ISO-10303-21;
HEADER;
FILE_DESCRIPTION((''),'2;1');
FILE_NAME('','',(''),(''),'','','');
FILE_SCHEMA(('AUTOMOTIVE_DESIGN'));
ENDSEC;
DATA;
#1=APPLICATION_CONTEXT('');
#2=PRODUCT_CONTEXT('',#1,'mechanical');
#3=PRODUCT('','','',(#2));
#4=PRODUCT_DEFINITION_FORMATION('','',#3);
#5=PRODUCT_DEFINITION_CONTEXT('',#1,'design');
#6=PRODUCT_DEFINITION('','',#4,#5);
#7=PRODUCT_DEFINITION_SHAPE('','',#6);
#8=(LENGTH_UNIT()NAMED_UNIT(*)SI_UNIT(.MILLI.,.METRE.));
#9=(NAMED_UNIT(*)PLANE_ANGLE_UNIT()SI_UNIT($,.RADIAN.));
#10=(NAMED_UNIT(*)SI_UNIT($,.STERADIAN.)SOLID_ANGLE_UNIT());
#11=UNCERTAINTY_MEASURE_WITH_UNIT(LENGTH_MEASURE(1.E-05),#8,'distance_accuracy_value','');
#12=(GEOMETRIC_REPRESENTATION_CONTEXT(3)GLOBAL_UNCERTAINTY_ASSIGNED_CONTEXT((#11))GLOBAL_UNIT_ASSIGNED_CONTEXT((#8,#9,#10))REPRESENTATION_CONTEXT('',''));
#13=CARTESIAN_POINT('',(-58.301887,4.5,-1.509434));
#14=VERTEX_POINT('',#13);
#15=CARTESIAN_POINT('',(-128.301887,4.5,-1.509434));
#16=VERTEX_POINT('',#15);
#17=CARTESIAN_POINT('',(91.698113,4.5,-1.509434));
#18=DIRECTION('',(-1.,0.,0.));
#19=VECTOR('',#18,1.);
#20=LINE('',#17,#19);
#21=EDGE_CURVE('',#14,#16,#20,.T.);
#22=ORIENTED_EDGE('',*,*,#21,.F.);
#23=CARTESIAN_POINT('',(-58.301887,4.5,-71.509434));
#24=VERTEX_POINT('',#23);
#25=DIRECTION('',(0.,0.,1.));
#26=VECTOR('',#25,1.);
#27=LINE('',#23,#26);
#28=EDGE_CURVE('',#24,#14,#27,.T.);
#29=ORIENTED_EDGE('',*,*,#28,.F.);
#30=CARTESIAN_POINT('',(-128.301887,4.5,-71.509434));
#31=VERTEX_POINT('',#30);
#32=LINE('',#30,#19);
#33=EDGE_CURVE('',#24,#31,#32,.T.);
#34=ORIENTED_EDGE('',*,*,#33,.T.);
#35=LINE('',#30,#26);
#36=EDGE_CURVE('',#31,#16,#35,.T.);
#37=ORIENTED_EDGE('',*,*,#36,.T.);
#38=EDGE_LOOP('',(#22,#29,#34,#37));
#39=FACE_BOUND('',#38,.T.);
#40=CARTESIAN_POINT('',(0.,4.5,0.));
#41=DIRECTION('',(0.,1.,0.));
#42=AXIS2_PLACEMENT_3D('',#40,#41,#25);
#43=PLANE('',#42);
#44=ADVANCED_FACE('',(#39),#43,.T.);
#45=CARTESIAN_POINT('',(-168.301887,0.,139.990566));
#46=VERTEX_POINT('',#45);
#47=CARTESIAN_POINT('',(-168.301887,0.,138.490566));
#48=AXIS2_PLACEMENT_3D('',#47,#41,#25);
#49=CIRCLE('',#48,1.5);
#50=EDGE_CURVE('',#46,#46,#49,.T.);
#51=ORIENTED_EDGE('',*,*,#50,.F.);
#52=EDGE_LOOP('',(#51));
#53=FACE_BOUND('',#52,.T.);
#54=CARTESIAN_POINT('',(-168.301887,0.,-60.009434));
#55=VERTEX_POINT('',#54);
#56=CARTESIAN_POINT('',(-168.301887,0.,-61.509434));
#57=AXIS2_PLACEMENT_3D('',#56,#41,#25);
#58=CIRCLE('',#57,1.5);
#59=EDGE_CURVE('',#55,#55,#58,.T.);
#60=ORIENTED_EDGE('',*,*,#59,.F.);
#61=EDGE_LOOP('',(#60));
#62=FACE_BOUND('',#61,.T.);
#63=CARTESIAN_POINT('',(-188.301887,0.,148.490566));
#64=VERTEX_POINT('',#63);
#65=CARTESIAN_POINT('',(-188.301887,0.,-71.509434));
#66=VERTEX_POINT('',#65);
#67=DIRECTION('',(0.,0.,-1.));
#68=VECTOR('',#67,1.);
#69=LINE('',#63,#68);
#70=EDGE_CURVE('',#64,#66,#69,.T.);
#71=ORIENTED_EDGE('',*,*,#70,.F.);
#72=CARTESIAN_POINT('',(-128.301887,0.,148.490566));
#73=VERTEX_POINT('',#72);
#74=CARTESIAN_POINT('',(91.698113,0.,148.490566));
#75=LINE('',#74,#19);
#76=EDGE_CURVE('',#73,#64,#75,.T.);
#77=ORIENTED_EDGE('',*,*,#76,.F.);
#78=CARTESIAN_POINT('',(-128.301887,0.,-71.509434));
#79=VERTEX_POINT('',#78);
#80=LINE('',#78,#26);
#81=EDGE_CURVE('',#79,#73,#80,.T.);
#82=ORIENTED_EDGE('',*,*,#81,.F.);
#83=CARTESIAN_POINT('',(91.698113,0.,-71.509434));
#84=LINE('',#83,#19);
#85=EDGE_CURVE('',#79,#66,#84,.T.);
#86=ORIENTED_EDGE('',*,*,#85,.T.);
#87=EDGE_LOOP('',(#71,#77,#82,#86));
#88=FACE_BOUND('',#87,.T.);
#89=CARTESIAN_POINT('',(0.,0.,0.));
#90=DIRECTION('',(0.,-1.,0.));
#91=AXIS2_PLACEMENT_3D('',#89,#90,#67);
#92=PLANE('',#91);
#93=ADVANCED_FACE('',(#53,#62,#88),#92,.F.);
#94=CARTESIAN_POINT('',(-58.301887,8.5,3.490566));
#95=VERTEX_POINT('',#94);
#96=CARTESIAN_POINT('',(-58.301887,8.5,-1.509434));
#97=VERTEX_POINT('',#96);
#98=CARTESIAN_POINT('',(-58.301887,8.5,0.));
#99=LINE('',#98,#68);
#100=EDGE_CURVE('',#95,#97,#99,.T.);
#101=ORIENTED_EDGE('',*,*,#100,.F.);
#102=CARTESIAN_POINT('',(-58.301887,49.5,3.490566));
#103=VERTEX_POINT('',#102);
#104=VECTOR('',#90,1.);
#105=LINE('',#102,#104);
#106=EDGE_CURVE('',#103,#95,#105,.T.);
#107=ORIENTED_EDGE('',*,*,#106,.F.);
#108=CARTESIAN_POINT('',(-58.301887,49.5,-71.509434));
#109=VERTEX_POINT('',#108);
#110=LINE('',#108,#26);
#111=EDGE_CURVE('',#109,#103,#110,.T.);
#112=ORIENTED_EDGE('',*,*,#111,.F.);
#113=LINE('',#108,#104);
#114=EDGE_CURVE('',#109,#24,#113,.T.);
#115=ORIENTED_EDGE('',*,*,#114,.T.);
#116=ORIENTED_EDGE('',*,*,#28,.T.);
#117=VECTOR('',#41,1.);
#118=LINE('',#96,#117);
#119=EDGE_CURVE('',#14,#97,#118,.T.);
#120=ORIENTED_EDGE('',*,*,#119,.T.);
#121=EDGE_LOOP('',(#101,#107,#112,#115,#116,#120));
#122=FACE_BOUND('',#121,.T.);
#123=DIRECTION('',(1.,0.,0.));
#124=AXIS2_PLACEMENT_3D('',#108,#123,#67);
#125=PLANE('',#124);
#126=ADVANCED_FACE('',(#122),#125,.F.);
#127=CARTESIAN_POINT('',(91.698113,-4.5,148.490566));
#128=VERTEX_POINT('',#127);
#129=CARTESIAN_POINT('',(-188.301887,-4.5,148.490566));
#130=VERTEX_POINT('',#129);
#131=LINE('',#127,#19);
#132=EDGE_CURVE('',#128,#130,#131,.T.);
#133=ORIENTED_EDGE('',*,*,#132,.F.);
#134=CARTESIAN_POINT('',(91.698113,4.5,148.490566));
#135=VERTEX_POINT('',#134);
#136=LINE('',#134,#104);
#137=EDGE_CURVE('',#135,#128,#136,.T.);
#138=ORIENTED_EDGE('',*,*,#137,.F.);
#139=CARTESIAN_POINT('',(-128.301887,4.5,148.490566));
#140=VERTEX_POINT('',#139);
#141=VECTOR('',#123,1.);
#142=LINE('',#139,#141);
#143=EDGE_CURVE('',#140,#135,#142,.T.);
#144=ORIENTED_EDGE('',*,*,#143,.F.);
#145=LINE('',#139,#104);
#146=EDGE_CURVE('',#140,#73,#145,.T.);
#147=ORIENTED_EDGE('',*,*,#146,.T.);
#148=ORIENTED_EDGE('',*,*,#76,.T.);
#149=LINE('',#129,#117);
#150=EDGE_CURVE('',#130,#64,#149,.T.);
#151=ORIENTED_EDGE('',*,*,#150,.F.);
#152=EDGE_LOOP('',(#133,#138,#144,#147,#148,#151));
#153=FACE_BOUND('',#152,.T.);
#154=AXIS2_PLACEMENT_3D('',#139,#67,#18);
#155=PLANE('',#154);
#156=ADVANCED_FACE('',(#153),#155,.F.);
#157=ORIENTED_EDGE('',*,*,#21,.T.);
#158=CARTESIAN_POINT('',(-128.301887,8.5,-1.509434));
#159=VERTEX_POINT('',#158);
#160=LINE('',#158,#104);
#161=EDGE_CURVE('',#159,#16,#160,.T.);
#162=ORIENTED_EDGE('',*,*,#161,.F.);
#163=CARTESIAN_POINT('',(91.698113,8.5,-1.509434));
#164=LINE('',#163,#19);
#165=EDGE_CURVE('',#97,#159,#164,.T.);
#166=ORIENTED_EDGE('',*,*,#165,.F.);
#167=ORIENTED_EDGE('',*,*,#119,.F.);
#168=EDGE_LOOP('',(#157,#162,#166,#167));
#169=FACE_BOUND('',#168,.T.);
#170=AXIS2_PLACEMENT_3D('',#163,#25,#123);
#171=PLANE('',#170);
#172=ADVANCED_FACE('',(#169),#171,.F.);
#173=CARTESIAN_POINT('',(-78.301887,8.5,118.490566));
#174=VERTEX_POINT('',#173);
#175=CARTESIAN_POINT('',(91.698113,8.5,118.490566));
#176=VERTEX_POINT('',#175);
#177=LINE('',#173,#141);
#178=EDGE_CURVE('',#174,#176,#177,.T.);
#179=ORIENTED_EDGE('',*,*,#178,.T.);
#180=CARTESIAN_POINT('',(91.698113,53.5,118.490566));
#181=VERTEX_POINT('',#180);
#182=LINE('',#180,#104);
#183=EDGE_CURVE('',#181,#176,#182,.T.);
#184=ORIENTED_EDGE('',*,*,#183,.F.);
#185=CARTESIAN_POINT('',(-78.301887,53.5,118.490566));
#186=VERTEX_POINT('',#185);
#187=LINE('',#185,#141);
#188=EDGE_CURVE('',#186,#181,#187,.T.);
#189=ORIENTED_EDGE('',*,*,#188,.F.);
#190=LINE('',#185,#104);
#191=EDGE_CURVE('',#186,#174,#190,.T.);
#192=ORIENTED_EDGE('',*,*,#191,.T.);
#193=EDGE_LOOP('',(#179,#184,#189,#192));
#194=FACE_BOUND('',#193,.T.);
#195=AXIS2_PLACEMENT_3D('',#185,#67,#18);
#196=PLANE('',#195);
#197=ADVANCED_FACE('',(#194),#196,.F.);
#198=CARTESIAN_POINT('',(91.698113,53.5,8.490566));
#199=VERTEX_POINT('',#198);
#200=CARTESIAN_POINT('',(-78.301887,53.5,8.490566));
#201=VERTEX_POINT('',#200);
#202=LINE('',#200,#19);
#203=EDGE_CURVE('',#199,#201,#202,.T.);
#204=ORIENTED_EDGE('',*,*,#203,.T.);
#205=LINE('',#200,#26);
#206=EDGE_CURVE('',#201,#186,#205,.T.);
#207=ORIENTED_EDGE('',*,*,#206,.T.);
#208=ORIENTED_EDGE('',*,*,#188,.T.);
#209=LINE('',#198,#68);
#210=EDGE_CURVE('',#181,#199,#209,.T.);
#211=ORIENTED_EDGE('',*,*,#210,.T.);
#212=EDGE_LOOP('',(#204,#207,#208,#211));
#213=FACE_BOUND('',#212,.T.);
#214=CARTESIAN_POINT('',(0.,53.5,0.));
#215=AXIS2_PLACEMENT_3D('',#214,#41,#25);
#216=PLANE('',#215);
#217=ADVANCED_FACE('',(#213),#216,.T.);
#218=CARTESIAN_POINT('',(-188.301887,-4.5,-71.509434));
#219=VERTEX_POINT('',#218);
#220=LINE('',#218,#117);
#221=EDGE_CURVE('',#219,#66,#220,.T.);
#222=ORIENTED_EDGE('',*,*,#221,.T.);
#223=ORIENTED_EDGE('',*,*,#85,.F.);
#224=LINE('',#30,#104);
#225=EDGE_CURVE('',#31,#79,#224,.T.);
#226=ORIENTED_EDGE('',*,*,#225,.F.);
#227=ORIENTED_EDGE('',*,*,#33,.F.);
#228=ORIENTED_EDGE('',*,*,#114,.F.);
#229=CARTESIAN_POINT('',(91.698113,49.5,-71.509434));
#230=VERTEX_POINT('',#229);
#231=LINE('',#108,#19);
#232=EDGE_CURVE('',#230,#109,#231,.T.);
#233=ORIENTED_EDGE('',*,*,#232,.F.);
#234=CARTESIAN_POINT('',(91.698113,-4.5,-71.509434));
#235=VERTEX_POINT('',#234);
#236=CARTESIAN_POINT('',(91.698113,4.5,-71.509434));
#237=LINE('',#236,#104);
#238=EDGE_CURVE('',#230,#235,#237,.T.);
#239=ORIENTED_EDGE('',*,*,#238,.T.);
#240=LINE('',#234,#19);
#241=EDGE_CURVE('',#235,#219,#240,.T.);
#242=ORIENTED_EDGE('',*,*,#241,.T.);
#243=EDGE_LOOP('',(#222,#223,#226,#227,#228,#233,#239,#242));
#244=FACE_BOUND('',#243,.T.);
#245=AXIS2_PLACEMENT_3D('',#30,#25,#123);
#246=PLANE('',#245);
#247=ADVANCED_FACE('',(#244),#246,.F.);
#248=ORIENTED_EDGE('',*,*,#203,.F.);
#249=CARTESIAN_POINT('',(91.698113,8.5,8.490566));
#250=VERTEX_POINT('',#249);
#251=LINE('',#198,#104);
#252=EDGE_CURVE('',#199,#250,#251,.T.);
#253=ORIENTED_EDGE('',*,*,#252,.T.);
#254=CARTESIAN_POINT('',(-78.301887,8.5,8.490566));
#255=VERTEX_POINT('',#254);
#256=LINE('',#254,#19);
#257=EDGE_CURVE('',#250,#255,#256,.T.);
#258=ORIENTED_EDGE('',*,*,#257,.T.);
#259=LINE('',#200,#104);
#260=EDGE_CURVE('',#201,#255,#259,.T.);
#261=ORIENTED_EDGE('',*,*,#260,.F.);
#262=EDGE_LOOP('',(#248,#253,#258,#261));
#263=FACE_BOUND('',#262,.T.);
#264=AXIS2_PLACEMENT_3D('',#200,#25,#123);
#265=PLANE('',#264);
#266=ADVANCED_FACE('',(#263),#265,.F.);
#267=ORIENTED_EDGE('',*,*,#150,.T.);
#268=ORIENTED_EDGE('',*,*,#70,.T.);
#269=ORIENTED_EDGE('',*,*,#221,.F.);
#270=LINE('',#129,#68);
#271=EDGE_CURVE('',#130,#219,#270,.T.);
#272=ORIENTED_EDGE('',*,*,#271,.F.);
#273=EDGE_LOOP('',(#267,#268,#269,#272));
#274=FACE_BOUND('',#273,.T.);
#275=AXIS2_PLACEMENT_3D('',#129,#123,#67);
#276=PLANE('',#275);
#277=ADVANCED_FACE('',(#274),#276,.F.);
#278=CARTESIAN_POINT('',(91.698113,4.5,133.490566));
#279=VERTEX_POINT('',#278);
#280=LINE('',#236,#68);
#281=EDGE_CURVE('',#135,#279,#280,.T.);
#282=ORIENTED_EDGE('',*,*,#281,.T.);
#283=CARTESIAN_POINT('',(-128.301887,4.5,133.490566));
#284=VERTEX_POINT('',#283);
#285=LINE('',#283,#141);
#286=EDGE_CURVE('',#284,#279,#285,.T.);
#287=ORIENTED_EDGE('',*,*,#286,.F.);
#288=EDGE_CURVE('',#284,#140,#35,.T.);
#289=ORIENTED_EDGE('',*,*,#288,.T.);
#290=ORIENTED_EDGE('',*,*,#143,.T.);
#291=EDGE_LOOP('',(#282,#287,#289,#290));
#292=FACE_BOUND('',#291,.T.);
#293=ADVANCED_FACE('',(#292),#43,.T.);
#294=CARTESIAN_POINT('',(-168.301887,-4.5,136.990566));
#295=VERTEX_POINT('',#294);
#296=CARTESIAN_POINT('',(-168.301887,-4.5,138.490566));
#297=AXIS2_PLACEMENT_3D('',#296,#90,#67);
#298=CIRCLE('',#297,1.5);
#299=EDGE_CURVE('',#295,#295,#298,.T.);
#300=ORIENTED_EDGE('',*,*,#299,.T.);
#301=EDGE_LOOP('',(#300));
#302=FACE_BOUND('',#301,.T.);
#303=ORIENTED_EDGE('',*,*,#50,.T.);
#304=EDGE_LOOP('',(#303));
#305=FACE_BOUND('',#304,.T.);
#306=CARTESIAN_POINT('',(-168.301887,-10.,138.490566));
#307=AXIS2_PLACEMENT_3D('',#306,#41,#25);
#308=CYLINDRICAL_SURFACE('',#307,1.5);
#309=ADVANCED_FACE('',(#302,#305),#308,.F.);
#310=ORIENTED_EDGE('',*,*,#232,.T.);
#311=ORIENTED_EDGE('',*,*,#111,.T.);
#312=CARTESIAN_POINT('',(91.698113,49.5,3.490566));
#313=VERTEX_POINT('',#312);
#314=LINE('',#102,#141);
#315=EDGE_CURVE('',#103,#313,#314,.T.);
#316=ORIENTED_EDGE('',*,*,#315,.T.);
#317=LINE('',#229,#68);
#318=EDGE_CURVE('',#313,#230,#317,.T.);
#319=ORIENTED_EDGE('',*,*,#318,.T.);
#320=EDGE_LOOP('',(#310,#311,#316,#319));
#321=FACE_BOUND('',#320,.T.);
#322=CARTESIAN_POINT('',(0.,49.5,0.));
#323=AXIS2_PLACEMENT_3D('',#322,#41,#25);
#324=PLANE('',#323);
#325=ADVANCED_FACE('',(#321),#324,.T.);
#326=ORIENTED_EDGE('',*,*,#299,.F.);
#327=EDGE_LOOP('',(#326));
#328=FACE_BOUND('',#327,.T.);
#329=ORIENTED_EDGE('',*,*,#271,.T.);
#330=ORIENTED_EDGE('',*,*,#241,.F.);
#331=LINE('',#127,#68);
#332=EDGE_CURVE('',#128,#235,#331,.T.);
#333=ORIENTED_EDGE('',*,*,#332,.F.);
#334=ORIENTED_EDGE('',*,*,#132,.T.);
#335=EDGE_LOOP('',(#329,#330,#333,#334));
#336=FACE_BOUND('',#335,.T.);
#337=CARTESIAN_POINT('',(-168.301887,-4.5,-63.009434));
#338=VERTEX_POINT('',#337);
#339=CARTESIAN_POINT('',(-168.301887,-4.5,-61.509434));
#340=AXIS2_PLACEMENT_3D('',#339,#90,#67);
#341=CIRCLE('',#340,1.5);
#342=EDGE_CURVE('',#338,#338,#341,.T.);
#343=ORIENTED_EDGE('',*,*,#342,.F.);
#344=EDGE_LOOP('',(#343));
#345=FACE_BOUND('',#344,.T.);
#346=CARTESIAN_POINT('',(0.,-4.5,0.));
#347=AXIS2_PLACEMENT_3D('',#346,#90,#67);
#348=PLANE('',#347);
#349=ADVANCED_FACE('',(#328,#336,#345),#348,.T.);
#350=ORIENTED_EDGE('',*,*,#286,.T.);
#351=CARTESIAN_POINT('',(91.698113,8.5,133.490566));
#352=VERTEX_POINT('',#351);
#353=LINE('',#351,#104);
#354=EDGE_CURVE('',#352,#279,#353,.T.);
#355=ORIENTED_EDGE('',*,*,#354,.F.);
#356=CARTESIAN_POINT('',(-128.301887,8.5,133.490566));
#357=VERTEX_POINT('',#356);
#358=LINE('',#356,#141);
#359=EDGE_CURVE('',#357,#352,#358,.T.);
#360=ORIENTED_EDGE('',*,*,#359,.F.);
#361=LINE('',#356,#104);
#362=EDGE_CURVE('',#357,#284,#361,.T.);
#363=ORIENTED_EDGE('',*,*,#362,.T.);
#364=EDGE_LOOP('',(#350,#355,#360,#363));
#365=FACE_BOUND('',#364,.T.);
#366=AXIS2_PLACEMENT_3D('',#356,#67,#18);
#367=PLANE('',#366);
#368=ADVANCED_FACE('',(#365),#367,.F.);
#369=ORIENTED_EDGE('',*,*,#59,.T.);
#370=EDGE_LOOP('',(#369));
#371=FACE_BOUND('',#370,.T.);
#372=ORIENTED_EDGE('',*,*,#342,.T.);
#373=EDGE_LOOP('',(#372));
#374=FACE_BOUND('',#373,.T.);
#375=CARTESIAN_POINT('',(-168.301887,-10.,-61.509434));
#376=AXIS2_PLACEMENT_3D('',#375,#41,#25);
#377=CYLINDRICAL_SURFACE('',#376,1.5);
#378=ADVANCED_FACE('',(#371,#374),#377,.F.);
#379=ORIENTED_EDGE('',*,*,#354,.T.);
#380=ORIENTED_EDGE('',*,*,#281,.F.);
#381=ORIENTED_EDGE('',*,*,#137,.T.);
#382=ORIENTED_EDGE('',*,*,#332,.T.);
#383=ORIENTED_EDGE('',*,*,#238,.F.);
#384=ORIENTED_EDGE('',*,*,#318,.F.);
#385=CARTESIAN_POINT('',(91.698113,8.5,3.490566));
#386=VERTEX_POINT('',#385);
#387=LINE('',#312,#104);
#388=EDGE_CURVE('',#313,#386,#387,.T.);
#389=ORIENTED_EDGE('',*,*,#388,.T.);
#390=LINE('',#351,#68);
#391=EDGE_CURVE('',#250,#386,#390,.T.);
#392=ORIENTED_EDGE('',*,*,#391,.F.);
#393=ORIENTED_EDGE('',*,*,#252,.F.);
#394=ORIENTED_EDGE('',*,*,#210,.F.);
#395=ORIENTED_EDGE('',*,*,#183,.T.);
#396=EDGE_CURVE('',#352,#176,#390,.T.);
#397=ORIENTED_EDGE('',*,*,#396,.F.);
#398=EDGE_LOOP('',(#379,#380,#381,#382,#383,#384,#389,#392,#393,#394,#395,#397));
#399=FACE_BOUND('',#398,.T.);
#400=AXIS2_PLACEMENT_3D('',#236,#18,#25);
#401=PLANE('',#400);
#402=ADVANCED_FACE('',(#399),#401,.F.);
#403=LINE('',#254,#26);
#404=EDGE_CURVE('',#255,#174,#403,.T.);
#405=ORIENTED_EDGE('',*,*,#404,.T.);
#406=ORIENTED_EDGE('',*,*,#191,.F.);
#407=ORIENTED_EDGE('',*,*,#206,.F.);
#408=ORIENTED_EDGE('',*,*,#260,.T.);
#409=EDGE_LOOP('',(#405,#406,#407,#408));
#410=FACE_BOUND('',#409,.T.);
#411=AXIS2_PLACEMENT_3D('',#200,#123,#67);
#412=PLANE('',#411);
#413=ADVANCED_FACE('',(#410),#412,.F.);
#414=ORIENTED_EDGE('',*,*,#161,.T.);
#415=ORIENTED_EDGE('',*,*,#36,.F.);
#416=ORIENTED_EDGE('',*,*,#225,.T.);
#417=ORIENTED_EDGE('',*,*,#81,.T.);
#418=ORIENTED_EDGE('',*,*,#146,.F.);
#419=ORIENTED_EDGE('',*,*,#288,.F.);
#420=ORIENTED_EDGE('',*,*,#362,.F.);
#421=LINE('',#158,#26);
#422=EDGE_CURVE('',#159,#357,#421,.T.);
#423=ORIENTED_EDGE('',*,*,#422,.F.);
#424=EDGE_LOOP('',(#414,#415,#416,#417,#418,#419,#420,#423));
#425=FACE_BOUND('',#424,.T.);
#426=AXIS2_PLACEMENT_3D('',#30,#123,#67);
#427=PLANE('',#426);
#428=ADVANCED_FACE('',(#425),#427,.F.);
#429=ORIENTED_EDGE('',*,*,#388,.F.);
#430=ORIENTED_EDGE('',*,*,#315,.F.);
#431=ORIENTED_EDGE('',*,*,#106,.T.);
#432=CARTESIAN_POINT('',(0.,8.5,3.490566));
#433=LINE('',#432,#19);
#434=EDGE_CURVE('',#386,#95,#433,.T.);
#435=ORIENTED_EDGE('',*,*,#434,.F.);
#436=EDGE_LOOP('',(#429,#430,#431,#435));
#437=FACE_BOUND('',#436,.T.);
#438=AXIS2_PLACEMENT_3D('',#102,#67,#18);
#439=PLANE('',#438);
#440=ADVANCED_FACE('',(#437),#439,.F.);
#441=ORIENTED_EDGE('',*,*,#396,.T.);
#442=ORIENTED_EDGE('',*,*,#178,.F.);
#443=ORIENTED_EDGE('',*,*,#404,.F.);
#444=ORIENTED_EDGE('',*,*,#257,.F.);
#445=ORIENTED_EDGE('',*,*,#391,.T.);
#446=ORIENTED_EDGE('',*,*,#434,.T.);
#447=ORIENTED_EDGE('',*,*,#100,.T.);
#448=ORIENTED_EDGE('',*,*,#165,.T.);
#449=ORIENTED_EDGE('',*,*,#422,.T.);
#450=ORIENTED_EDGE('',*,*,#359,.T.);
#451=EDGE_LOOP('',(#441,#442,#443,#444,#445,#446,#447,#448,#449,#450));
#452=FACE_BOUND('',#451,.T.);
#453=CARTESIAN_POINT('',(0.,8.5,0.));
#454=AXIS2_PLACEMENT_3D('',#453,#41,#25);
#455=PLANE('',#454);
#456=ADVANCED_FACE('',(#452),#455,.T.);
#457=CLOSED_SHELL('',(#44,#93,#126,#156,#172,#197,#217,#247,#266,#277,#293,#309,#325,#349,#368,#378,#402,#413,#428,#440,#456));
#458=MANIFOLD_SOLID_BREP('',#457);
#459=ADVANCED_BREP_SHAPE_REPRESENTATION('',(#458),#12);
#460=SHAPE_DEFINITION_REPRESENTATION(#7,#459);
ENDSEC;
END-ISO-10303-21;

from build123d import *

# Parameters (mm, degrees)
SKETCH1_W           = 220
SKETCH1_H           = 220
BOSS_EXTRUDE1_DEPTH = 4.5
SKETCH2_W           = 220
SKETCH2_H           = 135
BOSS_EXTRUDE2_DEPTH = 4
SKETCH3_W           = 150
SKETCH3_H           = 75
BOSS_EXTRUDE3_DEPTH = 45
SKETCH4_W           = 170
SKETCH4_H           = 110
BOSS_EXTRUDE4_DEPTH = 45
SKETCH5_W           = 280
SKETCH5_H           = 220
BOSS_EXTRUDE5_DEPTH = 4.5
SKETCH6_R           = 1.5
CUT_EXTRUDE1_DEPTH  = 10


with BuildPart() as part:
    # Sketch1 → Boss-Extrude1 (new body)
    with BuildSketch(Plane(origin=(0, 0, 0), x_dir=(1, 0, 0), z_dir=(0, 1, 0))):
        with Locations((-18.301886792, -38.490566038)):
            Rectangle(SKETCH1_W, SKETCH1_H)
    extrude(amount=BOSS_EXTRUDE1_DEPTH)

    # Sketch2 → Boss-Extrude2 (add)
    with BuildSketch(Plane(origin=(0, 4.5, 0), x_dir=(1, 0, 0), z_dir=(0, 1, 0))):
        with Locations((-18.301886792, -65.990566038)):
            Rectangle(SKETCH2_W, SKETCH2_H)
    extrude(amount=BOSS_EXTRUDE2_DEPTH)

    # Sketch3 → Boss-Extrude3 (add)
    with BuildSketch(Plane(origin=(0, 4.5, 0), x_dir=(1, 0, 0), z_dir=(0, 1, 0))):
        with Locations((16.698113208, 34.009433962)):
            Rectangle(SKETCH3_W, SKETCH3_H)
    extrude(amount=BOSS_EXTRUDE3_DEPTH)

    # Sketch4 → Boss-Extrude4 (add)
    with BuildSketch(Plane(origin=(0, 8.5, 0), x_dir=(1, 0, 0), z_dir=(0, 1, 0))):
        with Locations((6.698113208, -63.490566038)):
            Rectangle(SKETCH4_W, SKETCH4_H)
    extrude(amount=BOSS_EXTRUDE4_DEPTH)

    # Sketch5 → Boss-Extrude5 (add)
    with BuildSketch(Plane.XZ):
        with Locations((-48.301886792, 38.490566038)):
            Rectangle(SKETCH5_W, SKETCH5_H)
    extrude(amount=BOSS_EXTRUDE5_DEPTH)

    # Sketch6 → Cut-Extrude1 (cut)
    with BuildSketch(Plane(origin=(0, 0, 0), x_dir=(1, 0, 0), z_dir=(0, 1, 0))):
        with Locations(Location((-168.301886792, 61.509433962, 0), (0, 0, 270))):
            Circle(SKETCH6_R)
        with Locations(Location((-168.301886792, -138.490566038, 0), (0, 0, 270))):
            Circle(SKETCH6_R)
    extrude(amount=-CUT_EXTRUDE1_DEPTH, mode=Mode.SUBTRACT)


solid = part.part
